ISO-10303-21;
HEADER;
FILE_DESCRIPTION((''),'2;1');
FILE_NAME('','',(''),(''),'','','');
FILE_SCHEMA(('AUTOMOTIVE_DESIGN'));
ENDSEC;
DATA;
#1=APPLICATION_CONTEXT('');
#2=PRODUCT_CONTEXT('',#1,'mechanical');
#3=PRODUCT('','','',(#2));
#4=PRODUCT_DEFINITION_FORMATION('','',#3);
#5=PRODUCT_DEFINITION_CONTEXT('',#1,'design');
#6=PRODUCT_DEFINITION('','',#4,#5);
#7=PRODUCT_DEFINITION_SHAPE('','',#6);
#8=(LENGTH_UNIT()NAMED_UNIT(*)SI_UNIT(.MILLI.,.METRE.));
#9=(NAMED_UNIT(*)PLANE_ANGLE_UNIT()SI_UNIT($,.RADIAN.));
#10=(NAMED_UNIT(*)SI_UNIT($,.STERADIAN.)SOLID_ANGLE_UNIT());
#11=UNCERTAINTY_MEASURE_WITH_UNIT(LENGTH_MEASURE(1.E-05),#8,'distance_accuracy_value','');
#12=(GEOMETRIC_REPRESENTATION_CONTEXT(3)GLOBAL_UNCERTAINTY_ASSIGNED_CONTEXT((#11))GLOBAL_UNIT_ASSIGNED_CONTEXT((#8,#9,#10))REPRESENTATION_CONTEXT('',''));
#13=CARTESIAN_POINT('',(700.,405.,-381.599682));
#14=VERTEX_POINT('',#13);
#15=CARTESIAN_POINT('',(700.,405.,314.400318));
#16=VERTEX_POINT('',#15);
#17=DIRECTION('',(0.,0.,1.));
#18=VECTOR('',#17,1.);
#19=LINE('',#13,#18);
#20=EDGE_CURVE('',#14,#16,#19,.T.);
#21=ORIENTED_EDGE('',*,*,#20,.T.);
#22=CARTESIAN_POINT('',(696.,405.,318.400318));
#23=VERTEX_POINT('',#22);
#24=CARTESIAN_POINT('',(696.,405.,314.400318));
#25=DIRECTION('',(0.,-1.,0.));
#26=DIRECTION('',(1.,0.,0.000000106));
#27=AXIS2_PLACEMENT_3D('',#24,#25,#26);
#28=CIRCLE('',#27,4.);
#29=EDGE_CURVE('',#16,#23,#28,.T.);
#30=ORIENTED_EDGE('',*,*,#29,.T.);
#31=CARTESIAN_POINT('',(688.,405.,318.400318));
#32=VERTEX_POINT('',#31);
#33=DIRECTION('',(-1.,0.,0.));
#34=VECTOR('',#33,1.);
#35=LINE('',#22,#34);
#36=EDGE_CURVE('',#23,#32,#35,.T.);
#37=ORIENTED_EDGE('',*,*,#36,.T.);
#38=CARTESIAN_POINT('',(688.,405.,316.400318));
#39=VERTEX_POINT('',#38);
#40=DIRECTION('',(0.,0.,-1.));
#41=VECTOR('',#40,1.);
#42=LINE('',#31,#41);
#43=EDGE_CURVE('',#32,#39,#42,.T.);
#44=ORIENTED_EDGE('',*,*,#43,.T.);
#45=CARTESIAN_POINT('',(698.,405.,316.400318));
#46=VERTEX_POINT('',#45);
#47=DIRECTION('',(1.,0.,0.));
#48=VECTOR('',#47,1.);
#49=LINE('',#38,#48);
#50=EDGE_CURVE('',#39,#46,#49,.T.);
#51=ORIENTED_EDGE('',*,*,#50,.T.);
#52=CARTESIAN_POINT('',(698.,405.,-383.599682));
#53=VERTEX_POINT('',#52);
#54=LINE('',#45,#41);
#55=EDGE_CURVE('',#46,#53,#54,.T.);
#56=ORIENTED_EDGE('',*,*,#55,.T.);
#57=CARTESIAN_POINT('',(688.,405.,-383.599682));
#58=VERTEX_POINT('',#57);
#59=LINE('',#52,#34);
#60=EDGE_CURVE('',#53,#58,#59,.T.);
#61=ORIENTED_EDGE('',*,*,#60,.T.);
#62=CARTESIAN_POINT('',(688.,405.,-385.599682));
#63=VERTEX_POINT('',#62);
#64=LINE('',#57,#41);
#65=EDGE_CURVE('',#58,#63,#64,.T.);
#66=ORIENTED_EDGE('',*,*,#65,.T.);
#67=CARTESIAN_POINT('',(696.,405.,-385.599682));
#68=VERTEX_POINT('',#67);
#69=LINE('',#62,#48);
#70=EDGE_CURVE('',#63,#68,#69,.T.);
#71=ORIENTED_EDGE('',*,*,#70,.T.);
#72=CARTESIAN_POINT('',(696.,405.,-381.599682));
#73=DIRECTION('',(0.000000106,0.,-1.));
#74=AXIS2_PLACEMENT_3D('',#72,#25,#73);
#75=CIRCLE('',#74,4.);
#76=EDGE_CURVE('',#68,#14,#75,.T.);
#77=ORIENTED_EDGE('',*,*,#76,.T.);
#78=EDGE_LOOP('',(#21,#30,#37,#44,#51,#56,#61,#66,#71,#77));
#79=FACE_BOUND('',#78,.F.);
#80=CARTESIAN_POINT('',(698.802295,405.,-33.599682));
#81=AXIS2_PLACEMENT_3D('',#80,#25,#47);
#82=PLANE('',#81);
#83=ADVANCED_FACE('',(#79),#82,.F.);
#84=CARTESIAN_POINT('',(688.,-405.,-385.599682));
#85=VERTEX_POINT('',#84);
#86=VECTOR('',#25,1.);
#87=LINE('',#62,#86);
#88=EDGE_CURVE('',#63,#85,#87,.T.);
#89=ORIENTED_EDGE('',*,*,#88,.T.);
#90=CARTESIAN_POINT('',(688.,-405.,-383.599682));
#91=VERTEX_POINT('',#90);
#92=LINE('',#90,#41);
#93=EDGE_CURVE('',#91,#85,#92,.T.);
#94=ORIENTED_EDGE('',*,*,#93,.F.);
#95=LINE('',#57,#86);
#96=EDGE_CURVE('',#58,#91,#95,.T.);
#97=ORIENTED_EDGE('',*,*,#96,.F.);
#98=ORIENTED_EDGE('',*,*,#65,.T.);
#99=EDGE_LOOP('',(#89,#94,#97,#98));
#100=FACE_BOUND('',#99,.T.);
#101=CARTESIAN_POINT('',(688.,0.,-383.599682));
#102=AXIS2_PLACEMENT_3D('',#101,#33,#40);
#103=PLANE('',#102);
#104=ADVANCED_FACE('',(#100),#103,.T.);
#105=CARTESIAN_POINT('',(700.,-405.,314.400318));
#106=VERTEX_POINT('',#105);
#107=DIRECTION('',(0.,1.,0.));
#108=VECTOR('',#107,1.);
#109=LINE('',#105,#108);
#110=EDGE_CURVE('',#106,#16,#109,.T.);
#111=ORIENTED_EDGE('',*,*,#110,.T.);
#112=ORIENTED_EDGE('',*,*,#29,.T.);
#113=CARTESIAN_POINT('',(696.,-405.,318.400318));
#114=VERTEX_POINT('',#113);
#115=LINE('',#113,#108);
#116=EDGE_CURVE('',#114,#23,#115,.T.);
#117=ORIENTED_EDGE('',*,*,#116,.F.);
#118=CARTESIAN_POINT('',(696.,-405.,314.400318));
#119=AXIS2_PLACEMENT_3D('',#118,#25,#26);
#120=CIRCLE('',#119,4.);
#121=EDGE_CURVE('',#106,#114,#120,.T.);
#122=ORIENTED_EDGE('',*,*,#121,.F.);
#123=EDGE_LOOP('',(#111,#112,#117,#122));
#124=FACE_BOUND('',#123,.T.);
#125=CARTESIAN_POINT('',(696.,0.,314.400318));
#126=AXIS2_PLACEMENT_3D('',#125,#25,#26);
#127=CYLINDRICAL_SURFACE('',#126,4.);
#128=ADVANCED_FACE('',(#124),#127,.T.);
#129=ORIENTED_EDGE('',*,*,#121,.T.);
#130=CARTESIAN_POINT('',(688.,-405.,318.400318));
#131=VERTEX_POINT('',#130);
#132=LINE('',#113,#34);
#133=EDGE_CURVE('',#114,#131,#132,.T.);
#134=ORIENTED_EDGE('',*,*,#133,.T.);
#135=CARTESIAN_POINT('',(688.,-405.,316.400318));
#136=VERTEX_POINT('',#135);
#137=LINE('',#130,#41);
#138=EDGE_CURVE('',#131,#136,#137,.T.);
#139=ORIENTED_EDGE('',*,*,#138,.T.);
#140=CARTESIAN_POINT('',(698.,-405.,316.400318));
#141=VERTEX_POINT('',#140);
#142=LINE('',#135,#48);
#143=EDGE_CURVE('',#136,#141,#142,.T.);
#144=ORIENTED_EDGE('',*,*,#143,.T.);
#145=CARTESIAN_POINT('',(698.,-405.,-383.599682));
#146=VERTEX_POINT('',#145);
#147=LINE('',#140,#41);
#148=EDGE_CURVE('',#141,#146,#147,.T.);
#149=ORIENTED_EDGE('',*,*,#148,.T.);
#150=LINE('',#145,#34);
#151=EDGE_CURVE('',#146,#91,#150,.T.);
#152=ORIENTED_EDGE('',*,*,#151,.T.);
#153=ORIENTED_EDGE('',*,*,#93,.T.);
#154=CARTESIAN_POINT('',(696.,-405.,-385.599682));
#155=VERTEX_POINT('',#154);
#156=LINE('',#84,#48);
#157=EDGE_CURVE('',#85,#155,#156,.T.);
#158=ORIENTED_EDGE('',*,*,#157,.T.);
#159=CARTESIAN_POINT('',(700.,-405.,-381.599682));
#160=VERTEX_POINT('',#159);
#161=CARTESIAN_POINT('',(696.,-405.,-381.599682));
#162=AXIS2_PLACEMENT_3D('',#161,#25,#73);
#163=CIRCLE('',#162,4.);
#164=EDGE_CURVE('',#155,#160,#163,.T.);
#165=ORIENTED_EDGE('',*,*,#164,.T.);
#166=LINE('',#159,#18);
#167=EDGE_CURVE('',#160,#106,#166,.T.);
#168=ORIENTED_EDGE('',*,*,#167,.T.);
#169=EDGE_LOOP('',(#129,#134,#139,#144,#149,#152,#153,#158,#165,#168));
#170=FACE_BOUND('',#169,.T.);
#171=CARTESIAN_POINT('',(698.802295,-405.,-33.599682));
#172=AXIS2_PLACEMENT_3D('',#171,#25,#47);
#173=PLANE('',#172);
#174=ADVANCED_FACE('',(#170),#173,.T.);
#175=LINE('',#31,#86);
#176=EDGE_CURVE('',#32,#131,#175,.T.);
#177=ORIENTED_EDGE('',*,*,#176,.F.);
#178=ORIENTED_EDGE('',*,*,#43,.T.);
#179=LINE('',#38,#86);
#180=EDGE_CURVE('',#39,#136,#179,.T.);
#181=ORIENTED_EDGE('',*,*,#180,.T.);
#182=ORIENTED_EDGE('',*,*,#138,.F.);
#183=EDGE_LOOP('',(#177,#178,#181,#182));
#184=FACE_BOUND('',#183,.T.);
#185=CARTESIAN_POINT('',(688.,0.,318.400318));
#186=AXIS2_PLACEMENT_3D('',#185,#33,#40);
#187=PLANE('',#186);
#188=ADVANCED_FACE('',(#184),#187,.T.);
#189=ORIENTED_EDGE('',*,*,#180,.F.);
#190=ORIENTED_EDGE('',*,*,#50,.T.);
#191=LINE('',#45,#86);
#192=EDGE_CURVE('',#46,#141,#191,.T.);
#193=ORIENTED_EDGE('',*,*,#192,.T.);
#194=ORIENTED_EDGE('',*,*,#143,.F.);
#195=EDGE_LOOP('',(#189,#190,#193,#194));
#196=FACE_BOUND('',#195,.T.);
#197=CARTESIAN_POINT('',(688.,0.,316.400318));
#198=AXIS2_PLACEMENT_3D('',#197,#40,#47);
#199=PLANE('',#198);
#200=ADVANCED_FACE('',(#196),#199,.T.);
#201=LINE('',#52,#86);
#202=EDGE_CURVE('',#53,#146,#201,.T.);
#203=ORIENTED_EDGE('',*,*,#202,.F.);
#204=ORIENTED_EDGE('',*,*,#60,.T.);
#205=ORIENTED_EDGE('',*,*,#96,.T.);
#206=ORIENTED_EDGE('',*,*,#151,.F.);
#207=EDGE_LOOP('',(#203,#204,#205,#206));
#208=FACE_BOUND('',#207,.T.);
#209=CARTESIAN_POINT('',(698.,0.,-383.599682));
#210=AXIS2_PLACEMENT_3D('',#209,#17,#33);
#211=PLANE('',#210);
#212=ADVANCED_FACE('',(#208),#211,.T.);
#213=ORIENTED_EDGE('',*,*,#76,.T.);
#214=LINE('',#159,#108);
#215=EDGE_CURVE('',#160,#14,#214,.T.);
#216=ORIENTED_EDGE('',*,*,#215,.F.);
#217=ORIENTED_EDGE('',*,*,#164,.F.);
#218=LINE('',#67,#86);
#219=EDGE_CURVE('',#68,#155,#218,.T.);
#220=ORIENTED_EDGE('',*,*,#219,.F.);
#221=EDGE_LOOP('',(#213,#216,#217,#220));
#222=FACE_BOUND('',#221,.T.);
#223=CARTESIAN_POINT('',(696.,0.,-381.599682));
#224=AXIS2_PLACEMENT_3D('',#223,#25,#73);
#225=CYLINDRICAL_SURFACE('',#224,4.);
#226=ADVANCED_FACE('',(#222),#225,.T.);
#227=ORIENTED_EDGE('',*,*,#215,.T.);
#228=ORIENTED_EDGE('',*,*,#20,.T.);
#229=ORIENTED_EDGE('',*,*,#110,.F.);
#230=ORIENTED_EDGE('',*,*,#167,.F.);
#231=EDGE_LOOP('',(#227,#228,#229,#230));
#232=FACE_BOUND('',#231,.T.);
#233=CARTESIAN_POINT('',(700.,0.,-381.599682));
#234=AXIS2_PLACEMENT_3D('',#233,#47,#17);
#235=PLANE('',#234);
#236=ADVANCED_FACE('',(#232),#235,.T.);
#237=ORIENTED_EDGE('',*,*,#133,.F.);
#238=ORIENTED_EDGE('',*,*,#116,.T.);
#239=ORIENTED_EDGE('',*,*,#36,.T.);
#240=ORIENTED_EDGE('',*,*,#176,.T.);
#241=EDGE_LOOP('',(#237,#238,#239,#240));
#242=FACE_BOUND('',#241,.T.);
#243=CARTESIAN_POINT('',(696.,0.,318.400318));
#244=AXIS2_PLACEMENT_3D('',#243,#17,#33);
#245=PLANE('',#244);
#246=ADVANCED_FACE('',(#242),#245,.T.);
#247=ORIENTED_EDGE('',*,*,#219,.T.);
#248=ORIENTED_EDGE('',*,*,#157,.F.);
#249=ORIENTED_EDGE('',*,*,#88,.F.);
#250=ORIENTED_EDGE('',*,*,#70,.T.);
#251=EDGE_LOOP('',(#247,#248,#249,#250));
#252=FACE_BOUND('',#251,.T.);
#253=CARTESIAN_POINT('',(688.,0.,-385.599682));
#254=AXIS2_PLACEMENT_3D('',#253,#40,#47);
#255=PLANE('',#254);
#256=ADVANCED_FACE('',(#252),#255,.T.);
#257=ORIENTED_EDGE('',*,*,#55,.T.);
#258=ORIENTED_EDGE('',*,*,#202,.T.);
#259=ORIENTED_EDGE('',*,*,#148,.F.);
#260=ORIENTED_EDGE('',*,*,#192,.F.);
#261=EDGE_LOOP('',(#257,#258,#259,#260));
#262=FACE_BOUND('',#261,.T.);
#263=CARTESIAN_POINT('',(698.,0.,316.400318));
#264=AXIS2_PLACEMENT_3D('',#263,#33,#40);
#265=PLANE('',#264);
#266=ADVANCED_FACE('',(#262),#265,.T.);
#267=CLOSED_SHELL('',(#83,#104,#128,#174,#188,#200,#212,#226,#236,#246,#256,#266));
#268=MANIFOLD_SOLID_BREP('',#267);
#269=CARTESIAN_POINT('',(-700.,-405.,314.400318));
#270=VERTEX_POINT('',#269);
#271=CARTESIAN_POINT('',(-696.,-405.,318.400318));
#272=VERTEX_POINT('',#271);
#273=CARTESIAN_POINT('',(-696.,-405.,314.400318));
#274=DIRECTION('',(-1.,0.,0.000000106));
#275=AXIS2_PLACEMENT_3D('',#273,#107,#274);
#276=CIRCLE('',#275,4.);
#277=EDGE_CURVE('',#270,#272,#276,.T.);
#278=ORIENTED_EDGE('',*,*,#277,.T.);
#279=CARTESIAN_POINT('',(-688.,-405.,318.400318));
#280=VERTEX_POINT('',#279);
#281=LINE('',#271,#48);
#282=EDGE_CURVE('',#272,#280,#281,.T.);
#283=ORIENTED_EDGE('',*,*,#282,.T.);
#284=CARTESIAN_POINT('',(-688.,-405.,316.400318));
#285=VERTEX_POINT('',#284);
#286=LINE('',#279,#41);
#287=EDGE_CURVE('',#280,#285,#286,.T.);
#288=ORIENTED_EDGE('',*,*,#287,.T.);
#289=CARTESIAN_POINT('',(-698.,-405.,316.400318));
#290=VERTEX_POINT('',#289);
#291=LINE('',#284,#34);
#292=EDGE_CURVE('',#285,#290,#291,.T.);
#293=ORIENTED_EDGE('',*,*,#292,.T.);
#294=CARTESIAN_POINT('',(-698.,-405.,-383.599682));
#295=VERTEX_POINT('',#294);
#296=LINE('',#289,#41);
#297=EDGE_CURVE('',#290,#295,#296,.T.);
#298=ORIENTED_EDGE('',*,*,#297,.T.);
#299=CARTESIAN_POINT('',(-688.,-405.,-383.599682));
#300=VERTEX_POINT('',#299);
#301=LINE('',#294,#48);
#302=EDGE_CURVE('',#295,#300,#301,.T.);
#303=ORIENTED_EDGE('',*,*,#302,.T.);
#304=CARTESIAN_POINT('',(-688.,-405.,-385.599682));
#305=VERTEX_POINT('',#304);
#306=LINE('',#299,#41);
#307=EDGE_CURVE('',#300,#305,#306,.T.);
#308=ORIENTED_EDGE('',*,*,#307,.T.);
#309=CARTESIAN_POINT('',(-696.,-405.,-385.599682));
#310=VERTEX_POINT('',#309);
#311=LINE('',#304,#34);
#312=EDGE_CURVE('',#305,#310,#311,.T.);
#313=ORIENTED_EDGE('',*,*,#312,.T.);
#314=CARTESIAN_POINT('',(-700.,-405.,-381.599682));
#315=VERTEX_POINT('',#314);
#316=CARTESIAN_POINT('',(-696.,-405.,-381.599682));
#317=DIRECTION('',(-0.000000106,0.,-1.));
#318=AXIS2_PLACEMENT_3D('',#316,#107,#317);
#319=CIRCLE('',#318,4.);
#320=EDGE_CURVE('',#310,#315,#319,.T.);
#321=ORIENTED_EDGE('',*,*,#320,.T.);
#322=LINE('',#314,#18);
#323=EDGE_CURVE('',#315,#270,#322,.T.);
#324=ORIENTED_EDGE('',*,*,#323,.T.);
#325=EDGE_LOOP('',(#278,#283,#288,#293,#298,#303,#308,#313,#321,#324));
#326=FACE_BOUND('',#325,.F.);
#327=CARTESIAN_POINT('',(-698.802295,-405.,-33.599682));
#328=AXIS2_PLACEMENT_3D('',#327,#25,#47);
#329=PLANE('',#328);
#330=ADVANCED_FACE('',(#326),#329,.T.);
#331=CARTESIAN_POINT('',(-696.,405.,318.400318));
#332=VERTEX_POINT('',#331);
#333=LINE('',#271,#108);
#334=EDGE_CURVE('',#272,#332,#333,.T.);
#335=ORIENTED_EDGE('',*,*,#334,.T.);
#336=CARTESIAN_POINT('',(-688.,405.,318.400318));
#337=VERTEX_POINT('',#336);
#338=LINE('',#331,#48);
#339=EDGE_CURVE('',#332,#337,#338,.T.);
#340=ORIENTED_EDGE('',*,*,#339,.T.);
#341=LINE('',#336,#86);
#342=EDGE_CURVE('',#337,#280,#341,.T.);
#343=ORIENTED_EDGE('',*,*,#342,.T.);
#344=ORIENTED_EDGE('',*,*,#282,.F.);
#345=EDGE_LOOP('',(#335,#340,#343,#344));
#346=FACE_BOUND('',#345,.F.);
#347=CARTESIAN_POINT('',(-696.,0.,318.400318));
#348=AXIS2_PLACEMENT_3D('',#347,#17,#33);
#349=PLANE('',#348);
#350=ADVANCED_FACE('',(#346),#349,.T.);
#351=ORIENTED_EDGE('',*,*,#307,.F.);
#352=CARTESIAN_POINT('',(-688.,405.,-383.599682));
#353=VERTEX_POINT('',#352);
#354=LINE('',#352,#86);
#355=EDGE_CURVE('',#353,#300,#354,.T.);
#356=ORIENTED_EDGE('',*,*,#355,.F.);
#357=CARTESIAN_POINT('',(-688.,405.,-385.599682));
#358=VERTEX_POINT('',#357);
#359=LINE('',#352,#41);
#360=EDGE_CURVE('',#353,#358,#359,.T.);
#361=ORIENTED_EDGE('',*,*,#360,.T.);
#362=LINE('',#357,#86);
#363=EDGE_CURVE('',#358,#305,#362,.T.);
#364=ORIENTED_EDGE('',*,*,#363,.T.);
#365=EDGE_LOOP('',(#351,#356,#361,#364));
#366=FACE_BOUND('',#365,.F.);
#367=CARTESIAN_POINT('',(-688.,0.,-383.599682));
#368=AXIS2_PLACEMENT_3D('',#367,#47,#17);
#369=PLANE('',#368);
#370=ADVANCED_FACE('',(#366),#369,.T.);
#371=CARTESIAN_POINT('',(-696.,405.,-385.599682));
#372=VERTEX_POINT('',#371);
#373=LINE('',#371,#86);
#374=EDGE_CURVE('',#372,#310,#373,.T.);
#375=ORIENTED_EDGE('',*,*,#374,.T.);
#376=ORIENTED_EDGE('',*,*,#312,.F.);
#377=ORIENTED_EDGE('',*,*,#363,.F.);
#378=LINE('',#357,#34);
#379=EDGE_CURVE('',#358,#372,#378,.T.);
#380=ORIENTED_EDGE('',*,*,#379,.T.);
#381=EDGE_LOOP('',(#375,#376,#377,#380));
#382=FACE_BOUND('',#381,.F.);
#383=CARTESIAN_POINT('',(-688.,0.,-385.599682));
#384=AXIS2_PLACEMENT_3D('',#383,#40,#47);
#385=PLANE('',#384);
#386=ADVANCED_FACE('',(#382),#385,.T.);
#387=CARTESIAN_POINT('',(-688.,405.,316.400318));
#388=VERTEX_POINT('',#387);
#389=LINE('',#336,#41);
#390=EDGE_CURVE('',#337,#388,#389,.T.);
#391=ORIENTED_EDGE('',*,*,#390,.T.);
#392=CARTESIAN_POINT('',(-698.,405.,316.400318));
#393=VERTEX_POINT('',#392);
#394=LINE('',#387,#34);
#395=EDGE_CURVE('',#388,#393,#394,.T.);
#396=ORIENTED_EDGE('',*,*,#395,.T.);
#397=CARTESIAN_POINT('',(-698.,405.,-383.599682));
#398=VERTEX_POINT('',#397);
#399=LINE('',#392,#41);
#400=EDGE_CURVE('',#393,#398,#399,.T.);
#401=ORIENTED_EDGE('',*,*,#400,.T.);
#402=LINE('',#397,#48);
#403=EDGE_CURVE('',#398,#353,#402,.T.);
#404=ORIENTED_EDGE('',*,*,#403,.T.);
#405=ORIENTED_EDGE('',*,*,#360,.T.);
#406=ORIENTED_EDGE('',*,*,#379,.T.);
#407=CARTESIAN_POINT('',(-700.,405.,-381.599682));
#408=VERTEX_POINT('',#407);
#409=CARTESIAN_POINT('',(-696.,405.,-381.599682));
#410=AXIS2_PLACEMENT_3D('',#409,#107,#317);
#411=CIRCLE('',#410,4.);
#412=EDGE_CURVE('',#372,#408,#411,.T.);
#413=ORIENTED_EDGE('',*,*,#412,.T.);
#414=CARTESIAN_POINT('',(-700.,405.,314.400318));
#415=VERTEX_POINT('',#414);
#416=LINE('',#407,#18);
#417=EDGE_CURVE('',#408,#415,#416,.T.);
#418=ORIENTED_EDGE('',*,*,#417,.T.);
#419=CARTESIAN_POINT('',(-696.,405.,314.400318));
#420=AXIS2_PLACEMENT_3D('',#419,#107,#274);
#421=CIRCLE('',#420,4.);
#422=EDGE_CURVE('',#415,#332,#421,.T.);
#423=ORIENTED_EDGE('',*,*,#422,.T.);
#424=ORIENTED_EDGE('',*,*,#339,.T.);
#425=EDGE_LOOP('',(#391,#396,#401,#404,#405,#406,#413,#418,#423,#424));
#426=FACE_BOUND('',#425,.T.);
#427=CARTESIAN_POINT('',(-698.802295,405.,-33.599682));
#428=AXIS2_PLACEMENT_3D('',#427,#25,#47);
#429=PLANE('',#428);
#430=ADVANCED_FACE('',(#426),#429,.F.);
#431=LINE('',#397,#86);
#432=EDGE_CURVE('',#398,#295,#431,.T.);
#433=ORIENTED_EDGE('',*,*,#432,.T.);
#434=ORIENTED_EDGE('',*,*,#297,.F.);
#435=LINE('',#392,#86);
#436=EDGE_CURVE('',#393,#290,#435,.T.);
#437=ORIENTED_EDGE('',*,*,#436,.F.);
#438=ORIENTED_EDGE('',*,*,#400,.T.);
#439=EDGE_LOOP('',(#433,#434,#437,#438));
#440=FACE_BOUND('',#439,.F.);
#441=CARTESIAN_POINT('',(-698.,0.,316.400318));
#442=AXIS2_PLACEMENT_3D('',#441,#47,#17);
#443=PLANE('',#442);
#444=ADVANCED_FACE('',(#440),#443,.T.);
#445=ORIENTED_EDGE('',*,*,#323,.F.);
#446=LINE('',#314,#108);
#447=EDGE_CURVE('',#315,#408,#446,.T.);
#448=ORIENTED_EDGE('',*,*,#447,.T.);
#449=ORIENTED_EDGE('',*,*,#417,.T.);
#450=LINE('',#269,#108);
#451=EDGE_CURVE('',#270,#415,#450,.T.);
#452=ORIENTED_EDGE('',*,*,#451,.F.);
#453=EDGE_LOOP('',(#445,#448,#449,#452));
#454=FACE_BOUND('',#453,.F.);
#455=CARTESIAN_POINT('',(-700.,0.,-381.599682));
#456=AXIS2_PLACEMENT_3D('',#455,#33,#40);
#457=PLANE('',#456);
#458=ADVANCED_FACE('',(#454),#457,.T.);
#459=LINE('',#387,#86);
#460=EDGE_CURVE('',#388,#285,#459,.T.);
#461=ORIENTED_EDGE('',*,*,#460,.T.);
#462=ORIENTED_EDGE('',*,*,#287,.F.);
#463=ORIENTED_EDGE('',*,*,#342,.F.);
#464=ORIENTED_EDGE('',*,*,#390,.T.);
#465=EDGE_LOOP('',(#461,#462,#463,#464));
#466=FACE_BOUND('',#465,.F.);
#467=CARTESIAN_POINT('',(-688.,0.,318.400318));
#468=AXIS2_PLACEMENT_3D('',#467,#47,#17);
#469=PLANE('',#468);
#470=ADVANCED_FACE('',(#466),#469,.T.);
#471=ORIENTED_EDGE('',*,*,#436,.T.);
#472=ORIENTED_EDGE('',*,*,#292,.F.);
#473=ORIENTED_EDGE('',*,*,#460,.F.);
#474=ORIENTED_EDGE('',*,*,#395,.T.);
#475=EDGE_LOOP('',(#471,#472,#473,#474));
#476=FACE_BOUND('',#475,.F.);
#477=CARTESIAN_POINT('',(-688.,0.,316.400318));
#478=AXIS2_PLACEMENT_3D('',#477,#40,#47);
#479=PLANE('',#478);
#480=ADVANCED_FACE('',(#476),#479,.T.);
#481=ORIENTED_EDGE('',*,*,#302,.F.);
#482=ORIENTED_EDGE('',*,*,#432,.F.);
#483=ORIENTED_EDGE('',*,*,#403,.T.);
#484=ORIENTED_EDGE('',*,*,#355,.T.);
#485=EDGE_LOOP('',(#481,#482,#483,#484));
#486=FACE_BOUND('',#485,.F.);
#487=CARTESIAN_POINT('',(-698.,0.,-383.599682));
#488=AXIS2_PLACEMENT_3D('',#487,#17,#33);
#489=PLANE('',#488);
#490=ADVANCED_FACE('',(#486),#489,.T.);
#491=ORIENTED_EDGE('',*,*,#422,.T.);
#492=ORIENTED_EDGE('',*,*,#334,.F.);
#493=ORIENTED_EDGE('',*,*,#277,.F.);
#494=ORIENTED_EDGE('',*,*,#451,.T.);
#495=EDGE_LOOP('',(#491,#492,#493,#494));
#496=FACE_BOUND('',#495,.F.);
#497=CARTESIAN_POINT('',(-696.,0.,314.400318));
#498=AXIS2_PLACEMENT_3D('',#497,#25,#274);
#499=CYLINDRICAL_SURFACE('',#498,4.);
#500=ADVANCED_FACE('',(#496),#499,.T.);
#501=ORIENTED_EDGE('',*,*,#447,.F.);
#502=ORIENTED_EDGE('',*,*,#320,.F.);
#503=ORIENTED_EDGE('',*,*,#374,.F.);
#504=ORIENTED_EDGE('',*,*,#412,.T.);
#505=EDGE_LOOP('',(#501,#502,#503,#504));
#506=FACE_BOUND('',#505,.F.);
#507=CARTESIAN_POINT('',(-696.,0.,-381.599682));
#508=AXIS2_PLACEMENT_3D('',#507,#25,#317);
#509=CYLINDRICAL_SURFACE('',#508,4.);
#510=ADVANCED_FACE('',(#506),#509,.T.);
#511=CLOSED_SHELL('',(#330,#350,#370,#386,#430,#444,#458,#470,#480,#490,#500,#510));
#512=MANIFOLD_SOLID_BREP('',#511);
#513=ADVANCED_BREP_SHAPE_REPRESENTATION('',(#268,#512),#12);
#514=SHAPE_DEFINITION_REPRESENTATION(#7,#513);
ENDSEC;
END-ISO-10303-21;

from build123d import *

# Parameters (mm, degrees)
F1_DEPTH = 405


with BuildPart() as f1:
    # F0 (on Front) → F1 (new body, symmetric)
    with BuildSketch(Plane.XZ):
        with BuildLine():
            Line((696, 318.400318), (688, 318.400318))
            Line((688, 318.400318), (688, 316.400318))
            Line((688, 316.400318), (698, 316.400318))
            Line((698, 316.400318), (698, -383.599682))
            Line((698, -383.599682), (688, -383.599682))
            Line((688, -383.599682), (688, -385.599682))
            Line((688, -385.599682), (696, -385.599682))
            ThreePointArc((696, -385.599682), (698.828427, -384.428109), (700, -381.599682))
            Line((700, -381.599682), (700, 314.400318))
            ThreePointArc((700, 314.400318), (698.828427, 317.228745), (696, 318.400318))
        make_face()
    extrude(amount=F1_DEPTH, both=True)


with BuildPart() as f2_1:
    # F2: instance of F1
    add(f1.part.mirror(Plane.YZ))


solid = Compound([f1.part, f2_1.part])
